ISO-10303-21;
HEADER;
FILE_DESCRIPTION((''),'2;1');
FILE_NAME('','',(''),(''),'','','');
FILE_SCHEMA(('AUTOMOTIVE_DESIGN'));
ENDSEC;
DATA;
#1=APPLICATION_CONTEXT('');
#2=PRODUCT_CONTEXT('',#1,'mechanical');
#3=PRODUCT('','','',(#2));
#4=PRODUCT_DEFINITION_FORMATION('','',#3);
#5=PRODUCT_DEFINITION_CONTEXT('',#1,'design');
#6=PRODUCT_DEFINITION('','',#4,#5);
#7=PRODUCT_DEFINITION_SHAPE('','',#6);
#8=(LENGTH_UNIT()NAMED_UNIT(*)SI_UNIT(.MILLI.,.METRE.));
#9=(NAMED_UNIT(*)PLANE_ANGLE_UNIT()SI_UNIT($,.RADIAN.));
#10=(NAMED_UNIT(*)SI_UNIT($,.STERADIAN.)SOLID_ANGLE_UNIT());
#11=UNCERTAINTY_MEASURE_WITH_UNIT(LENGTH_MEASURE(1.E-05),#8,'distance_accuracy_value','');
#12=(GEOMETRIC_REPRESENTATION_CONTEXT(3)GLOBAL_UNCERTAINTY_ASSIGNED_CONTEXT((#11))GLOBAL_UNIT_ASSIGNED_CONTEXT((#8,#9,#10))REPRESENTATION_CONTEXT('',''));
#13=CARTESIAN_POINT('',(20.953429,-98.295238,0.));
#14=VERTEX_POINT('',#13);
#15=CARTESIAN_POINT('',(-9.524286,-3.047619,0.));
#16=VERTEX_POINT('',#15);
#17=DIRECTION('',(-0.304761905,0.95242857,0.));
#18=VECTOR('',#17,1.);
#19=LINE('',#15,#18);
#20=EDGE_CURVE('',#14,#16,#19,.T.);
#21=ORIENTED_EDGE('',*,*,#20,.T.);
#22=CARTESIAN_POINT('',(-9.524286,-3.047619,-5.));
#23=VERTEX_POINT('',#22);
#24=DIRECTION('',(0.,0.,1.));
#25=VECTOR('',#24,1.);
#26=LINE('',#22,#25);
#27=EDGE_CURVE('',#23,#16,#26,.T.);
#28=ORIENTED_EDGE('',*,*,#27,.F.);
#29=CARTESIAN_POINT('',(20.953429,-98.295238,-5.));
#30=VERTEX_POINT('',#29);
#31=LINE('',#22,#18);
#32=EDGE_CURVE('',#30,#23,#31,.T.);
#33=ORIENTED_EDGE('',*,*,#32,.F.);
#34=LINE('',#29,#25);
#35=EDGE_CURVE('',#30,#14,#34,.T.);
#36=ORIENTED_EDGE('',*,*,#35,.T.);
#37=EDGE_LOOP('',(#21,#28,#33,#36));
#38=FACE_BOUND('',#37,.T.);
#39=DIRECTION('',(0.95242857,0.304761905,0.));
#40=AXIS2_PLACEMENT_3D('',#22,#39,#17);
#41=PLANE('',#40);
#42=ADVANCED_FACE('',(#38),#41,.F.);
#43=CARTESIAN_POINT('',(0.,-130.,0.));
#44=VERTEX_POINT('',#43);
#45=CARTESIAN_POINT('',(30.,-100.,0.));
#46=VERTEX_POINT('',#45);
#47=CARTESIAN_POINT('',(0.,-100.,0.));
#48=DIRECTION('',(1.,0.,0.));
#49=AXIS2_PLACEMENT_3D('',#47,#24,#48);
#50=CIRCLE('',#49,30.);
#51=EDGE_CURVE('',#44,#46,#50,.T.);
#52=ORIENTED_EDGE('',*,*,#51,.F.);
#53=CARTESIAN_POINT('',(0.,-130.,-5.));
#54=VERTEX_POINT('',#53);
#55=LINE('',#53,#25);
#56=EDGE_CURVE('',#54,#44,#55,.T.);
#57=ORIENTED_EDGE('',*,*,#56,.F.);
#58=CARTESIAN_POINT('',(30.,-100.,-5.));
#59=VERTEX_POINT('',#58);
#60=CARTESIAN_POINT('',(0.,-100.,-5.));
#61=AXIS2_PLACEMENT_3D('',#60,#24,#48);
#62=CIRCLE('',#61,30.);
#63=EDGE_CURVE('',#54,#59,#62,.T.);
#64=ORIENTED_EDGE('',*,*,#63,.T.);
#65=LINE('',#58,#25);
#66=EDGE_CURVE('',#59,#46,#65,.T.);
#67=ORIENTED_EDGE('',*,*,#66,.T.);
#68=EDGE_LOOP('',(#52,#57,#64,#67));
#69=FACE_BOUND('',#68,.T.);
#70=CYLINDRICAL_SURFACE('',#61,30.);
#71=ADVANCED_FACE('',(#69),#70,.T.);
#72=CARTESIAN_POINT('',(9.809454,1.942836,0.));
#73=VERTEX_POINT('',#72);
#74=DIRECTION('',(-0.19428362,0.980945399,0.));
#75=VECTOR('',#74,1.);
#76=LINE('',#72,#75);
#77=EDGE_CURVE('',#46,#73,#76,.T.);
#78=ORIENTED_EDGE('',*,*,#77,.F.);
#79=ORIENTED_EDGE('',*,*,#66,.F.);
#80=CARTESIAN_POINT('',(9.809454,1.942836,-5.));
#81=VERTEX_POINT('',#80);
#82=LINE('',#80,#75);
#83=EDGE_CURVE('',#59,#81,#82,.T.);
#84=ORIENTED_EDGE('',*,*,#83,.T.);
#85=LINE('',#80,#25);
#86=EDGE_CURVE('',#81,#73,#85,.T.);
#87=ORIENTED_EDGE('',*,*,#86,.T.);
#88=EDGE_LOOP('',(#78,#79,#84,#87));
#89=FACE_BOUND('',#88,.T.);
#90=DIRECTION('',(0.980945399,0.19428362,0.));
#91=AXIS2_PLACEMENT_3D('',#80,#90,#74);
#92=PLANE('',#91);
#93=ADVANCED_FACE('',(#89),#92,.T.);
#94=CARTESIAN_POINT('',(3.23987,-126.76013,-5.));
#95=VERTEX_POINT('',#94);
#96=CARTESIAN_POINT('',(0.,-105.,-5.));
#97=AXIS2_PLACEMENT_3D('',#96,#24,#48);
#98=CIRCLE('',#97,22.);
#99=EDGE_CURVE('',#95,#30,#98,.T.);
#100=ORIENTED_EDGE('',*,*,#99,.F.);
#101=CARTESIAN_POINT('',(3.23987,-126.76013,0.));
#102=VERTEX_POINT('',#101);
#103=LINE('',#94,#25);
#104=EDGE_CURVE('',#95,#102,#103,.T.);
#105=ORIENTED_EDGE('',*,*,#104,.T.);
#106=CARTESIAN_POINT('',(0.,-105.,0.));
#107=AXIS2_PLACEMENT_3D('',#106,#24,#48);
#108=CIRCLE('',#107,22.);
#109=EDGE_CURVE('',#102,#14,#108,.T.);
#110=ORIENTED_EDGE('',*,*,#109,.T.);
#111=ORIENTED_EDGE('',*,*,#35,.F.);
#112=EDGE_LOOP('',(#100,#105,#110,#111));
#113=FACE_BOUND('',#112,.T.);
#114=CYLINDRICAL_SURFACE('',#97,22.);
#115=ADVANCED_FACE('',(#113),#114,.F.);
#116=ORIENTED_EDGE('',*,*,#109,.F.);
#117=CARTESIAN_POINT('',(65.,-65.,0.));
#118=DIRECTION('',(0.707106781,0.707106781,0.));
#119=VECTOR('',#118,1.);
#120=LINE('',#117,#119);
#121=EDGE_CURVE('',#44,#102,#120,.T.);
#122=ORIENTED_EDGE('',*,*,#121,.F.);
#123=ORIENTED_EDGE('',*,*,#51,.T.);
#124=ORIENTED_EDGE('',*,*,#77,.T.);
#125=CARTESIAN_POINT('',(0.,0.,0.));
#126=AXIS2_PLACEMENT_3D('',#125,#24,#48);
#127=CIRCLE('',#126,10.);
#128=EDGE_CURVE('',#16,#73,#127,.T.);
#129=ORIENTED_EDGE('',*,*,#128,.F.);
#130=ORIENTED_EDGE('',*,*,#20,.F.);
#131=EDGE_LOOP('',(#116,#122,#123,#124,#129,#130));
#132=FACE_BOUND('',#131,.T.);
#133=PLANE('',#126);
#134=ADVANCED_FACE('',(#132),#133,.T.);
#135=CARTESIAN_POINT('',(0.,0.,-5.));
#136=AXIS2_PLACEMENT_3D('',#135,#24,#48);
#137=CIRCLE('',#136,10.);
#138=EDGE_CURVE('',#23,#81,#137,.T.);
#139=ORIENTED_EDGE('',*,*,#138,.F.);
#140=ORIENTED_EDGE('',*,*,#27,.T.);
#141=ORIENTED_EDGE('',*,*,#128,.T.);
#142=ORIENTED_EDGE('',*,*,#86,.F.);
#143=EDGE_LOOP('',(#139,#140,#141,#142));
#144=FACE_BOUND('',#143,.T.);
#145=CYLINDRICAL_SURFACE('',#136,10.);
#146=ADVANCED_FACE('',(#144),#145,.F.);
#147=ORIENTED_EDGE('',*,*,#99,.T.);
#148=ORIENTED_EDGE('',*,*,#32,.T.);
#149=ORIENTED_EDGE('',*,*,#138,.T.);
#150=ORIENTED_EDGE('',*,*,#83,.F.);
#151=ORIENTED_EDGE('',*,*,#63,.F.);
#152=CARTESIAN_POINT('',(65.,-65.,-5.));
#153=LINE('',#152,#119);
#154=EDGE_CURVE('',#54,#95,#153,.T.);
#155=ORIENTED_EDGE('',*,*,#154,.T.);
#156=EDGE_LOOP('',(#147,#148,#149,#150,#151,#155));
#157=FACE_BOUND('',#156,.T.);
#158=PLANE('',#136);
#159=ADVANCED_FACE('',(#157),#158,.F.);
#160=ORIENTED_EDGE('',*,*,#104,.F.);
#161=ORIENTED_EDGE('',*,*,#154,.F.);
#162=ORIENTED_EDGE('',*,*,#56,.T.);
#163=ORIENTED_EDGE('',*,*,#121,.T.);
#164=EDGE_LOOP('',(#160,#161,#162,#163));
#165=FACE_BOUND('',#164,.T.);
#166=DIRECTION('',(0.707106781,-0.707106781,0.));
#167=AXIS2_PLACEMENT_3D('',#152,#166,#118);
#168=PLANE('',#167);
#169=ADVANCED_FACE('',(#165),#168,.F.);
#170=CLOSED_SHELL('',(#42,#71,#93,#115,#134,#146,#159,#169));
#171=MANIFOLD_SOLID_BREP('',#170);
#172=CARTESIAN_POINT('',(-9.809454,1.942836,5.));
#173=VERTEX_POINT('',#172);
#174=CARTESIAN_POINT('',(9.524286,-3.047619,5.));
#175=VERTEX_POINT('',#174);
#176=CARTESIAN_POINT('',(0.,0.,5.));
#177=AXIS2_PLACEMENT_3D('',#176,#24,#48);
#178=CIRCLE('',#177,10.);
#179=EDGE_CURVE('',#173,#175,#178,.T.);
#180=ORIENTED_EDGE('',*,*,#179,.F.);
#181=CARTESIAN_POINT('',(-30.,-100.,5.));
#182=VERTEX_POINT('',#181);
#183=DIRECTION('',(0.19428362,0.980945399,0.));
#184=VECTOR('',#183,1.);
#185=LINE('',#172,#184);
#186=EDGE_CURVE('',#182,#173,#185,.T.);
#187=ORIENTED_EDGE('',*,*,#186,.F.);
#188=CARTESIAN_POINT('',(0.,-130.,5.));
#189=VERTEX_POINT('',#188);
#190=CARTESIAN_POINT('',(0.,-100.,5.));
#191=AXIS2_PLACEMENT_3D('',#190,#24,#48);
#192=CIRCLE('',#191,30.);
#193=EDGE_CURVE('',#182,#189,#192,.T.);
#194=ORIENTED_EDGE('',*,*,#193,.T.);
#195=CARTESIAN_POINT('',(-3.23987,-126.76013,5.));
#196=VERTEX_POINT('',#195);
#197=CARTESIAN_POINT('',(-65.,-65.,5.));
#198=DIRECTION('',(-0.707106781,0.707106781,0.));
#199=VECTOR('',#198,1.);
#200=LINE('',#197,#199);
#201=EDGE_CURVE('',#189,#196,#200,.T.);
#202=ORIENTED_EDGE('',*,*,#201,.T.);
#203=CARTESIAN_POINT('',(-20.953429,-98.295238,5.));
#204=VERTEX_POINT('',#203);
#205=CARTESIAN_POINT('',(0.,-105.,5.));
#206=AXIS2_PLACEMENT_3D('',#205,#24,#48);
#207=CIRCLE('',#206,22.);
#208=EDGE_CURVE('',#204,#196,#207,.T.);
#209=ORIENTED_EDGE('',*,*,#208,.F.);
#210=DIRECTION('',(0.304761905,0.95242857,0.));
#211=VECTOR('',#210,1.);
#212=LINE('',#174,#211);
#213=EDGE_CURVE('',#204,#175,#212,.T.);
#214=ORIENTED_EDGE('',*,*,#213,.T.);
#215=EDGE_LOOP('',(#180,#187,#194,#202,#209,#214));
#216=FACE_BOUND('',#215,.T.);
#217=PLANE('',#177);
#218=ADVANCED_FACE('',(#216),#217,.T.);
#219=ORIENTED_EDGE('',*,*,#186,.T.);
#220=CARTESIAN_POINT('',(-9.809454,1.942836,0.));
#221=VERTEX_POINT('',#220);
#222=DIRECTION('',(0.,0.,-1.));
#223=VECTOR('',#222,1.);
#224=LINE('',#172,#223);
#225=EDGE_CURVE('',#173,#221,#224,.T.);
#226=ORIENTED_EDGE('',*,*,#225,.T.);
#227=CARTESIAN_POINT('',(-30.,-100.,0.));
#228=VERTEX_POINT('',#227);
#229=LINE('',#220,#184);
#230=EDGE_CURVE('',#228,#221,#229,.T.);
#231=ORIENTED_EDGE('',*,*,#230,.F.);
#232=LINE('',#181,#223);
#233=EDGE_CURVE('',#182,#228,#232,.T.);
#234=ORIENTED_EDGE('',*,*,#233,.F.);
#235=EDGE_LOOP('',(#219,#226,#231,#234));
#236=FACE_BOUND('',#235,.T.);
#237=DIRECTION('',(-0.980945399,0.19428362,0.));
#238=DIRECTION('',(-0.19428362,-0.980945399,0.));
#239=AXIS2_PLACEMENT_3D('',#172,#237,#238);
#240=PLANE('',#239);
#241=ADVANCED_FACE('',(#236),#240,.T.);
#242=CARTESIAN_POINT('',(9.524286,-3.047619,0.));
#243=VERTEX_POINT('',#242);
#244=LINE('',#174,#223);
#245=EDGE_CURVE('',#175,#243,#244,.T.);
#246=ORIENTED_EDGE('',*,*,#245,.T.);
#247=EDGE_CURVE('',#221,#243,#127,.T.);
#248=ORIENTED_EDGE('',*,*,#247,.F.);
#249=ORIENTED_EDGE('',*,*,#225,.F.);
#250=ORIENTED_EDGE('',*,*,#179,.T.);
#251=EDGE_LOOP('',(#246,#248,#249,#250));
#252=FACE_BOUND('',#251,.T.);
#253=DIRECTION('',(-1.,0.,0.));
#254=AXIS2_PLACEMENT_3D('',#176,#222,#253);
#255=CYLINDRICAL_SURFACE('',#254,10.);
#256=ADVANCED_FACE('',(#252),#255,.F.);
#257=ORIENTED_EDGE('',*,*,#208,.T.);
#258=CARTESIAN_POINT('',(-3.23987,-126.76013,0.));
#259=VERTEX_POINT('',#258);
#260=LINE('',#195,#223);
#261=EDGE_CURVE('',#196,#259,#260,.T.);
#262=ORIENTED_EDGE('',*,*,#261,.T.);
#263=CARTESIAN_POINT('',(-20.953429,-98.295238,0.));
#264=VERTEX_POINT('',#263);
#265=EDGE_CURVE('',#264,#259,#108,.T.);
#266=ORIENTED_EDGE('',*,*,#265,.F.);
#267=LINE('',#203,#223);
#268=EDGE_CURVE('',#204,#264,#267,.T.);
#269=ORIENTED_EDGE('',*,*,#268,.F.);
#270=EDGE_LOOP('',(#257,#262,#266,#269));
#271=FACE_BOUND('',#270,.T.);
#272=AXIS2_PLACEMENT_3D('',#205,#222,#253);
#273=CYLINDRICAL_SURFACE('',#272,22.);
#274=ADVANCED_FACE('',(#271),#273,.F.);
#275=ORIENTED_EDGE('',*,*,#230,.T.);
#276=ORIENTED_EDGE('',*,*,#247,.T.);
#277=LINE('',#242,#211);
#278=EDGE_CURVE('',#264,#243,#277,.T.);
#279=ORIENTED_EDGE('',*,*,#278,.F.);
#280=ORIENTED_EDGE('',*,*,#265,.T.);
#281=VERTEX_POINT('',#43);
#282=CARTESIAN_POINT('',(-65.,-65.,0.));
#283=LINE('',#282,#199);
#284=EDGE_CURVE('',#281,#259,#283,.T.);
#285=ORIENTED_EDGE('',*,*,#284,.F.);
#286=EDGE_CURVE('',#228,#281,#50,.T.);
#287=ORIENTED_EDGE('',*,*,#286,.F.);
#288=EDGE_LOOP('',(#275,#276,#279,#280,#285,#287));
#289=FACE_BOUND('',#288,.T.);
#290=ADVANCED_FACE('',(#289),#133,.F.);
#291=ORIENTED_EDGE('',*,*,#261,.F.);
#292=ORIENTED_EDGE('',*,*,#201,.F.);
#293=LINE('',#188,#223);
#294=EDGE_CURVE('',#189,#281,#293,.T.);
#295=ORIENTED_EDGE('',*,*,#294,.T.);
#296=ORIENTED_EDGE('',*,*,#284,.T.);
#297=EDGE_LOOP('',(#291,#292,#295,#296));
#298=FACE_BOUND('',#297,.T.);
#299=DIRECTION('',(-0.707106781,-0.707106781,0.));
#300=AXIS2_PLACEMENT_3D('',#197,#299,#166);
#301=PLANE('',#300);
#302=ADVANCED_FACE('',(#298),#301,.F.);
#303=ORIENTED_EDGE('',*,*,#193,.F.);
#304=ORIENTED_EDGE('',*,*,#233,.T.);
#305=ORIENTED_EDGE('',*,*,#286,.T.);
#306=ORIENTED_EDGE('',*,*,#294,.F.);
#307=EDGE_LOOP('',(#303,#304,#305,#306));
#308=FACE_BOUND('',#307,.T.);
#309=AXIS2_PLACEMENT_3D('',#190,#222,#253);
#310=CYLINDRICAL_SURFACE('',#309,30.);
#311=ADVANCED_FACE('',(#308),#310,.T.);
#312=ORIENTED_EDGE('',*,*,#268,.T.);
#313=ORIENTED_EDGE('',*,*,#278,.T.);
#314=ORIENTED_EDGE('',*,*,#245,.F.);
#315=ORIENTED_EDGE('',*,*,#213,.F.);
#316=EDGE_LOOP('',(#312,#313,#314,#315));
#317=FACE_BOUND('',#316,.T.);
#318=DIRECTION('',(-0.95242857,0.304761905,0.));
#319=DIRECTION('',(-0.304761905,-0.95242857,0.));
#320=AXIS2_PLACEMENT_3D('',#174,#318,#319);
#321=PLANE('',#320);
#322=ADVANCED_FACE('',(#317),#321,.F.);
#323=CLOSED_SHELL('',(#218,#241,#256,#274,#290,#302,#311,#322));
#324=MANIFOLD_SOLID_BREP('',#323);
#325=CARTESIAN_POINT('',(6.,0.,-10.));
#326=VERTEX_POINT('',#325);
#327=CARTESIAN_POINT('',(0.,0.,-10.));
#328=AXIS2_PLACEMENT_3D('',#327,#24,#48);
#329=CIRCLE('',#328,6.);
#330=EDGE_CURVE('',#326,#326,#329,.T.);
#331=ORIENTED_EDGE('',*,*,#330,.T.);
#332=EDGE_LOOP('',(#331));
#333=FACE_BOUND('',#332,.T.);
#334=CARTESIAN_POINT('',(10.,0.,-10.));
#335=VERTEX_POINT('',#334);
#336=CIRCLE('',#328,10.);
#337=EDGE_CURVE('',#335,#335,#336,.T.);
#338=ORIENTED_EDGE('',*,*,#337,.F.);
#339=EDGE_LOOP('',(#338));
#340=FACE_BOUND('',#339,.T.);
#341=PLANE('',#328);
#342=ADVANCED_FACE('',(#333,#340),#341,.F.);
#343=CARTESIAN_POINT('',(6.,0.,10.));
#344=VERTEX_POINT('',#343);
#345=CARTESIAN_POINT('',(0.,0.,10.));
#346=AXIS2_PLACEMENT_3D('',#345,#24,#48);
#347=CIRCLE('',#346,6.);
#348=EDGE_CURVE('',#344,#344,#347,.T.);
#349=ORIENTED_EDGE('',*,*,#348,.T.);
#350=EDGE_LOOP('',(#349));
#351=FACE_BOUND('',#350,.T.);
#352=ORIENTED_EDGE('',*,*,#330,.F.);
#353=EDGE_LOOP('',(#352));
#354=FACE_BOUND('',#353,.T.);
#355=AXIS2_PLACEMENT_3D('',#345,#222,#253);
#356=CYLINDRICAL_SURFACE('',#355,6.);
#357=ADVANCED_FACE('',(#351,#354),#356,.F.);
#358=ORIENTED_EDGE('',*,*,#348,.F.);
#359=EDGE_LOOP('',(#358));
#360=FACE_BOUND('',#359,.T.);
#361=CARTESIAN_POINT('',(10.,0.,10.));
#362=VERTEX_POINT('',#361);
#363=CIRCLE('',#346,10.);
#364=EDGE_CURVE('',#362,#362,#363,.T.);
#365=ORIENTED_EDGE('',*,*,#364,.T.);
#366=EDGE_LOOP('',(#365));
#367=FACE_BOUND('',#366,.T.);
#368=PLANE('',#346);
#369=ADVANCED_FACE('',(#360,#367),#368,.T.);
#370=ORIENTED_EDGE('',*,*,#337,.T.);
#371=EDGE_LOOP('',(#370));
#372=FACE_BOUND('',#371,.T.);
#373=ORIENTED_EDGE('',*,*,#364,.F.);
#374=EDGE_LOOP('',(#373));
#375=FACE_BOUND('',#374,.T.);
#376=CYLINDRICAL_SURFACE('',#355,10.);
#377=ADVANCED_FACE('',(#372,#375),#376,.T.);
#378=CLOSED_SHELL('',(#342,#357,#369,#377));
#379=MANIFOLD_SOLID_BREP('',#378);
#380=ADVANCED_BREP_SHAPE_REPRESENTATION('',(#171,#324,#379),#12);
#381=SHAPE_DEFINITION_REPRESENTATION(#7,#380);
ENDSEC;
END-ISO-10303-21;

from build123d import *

# Parameters (mm, degrees)
SKETCH1_R            = 6
BOSS_EXTRUDE1_DEPTH  = 10
BOSS_EXTRUDE14_DEPTH = 5
BOSS_EXTRUDE15_DEPTH = 5


with BuildPart() as part:
    # Sketch1 → Boss-Extrude1 (new, symmetric)
    with BuildSketch(Plane.XY):
        with BuildLine():
            ThreePointArc((9.809453986617676, 1.9428361959853027), (6.1e-16, 10.000000000000004), (-9.809453986617676, 1.9428361959853029))
            ThreePointArc((-9.809453986617676, 1.9428361959853029), (-9.983713411106137, -0.5704967352225092), (-9.524285702381553, -3.0476190476190443))
            ThreePointArc((-9.524285702381553, -3.0476190476190443), (-1.84e-15, -10.000000000000004), (9.524285702381551, -3.047619047619048))
            ThreePointArc((9.524285702381551, -3.047619047619048), (9.88035568751995, -1.5422618091920235), (10.000000000000004, -2.45e-15))
            ThreePointArc((10.000000000000004, 0), (9.952249491099408, 0.9760789245299965), (9.809453986617676, 1.9428361959853027))
        make_face()
        Circle(SKETCH1_R, mode=Mode.SUBTRACT)
    extrude(amount=BOSS_EXTRUDE1_DEPTH, both=True)


with BuildPart() as body_2:
    # Sketch1<52> → Boss-Extrude14 (new body)
    with BuildSketch(Plane.XY):
        with BuildLine():
            ThreePointArc((-30, -99.99999999999994), (-21.213203435596444, -121.21320343559641), (2.16e-15, -130))
            Line((0, -130), (-3.239870411273939, -126.76012958872607))
            ThreePointArc((-3.239870411273936, -126.76012958872607), (-18.67863593878897, -116.62362075543508), (-20.953428545239394, -98.29523809523806))
            Line((-20.953428545239394, -98.29523809523806), (9.524285702381551, -3.047619047619051))
            ThreePointArc((9.524285702381553, -3.0476190476190466), (-2.4992981259121687, -9.682639561494172), (-9.809453986617678, 1.942836195985301))
            Line((-9.809453986617676, 1.9428361959853078), (-30, -99.99999999999994))
        make_face()
    extrude(amount=BOSS_EXTRUDE14_DEPTH)


with BuildPart() as body_3:
    # Sketch1<53> → Boss-Extrude15 (new body)
    with BuildSketch(Plane.XY):
        with BuildLine():
            Line((3.2398704112739423, -126.76012958872607), (0, -130))
            ThreePointArc((2.16e-15, -130), (21.213203435596423, -121.21320343559643), (30, -100.00000000000001))
            Line((30, -100), (9.809453986617676, 1.9428361959853078))
            ThreePointArc((9.809453986617676, 1.9428361959853029), (2.49929812591217, -9.682639561494168), (-9.524285702381551, -3.0476190476190474))
            Line((-9.524285702381553, -3.0476190476190483), (20.95342854523939, -98.29523809523812))
            ThreePointArc((20.953428545239394, -98.29523809523812), (18.678635938788954, -116.62362075543511), (3.239870411273943, -126.76012958872607))
        make_face()
    extrude(amount=-BOSS_EXTRUDE15_DEPTH)


solid = Compound([part.part, body_2.part, body_3.part])
